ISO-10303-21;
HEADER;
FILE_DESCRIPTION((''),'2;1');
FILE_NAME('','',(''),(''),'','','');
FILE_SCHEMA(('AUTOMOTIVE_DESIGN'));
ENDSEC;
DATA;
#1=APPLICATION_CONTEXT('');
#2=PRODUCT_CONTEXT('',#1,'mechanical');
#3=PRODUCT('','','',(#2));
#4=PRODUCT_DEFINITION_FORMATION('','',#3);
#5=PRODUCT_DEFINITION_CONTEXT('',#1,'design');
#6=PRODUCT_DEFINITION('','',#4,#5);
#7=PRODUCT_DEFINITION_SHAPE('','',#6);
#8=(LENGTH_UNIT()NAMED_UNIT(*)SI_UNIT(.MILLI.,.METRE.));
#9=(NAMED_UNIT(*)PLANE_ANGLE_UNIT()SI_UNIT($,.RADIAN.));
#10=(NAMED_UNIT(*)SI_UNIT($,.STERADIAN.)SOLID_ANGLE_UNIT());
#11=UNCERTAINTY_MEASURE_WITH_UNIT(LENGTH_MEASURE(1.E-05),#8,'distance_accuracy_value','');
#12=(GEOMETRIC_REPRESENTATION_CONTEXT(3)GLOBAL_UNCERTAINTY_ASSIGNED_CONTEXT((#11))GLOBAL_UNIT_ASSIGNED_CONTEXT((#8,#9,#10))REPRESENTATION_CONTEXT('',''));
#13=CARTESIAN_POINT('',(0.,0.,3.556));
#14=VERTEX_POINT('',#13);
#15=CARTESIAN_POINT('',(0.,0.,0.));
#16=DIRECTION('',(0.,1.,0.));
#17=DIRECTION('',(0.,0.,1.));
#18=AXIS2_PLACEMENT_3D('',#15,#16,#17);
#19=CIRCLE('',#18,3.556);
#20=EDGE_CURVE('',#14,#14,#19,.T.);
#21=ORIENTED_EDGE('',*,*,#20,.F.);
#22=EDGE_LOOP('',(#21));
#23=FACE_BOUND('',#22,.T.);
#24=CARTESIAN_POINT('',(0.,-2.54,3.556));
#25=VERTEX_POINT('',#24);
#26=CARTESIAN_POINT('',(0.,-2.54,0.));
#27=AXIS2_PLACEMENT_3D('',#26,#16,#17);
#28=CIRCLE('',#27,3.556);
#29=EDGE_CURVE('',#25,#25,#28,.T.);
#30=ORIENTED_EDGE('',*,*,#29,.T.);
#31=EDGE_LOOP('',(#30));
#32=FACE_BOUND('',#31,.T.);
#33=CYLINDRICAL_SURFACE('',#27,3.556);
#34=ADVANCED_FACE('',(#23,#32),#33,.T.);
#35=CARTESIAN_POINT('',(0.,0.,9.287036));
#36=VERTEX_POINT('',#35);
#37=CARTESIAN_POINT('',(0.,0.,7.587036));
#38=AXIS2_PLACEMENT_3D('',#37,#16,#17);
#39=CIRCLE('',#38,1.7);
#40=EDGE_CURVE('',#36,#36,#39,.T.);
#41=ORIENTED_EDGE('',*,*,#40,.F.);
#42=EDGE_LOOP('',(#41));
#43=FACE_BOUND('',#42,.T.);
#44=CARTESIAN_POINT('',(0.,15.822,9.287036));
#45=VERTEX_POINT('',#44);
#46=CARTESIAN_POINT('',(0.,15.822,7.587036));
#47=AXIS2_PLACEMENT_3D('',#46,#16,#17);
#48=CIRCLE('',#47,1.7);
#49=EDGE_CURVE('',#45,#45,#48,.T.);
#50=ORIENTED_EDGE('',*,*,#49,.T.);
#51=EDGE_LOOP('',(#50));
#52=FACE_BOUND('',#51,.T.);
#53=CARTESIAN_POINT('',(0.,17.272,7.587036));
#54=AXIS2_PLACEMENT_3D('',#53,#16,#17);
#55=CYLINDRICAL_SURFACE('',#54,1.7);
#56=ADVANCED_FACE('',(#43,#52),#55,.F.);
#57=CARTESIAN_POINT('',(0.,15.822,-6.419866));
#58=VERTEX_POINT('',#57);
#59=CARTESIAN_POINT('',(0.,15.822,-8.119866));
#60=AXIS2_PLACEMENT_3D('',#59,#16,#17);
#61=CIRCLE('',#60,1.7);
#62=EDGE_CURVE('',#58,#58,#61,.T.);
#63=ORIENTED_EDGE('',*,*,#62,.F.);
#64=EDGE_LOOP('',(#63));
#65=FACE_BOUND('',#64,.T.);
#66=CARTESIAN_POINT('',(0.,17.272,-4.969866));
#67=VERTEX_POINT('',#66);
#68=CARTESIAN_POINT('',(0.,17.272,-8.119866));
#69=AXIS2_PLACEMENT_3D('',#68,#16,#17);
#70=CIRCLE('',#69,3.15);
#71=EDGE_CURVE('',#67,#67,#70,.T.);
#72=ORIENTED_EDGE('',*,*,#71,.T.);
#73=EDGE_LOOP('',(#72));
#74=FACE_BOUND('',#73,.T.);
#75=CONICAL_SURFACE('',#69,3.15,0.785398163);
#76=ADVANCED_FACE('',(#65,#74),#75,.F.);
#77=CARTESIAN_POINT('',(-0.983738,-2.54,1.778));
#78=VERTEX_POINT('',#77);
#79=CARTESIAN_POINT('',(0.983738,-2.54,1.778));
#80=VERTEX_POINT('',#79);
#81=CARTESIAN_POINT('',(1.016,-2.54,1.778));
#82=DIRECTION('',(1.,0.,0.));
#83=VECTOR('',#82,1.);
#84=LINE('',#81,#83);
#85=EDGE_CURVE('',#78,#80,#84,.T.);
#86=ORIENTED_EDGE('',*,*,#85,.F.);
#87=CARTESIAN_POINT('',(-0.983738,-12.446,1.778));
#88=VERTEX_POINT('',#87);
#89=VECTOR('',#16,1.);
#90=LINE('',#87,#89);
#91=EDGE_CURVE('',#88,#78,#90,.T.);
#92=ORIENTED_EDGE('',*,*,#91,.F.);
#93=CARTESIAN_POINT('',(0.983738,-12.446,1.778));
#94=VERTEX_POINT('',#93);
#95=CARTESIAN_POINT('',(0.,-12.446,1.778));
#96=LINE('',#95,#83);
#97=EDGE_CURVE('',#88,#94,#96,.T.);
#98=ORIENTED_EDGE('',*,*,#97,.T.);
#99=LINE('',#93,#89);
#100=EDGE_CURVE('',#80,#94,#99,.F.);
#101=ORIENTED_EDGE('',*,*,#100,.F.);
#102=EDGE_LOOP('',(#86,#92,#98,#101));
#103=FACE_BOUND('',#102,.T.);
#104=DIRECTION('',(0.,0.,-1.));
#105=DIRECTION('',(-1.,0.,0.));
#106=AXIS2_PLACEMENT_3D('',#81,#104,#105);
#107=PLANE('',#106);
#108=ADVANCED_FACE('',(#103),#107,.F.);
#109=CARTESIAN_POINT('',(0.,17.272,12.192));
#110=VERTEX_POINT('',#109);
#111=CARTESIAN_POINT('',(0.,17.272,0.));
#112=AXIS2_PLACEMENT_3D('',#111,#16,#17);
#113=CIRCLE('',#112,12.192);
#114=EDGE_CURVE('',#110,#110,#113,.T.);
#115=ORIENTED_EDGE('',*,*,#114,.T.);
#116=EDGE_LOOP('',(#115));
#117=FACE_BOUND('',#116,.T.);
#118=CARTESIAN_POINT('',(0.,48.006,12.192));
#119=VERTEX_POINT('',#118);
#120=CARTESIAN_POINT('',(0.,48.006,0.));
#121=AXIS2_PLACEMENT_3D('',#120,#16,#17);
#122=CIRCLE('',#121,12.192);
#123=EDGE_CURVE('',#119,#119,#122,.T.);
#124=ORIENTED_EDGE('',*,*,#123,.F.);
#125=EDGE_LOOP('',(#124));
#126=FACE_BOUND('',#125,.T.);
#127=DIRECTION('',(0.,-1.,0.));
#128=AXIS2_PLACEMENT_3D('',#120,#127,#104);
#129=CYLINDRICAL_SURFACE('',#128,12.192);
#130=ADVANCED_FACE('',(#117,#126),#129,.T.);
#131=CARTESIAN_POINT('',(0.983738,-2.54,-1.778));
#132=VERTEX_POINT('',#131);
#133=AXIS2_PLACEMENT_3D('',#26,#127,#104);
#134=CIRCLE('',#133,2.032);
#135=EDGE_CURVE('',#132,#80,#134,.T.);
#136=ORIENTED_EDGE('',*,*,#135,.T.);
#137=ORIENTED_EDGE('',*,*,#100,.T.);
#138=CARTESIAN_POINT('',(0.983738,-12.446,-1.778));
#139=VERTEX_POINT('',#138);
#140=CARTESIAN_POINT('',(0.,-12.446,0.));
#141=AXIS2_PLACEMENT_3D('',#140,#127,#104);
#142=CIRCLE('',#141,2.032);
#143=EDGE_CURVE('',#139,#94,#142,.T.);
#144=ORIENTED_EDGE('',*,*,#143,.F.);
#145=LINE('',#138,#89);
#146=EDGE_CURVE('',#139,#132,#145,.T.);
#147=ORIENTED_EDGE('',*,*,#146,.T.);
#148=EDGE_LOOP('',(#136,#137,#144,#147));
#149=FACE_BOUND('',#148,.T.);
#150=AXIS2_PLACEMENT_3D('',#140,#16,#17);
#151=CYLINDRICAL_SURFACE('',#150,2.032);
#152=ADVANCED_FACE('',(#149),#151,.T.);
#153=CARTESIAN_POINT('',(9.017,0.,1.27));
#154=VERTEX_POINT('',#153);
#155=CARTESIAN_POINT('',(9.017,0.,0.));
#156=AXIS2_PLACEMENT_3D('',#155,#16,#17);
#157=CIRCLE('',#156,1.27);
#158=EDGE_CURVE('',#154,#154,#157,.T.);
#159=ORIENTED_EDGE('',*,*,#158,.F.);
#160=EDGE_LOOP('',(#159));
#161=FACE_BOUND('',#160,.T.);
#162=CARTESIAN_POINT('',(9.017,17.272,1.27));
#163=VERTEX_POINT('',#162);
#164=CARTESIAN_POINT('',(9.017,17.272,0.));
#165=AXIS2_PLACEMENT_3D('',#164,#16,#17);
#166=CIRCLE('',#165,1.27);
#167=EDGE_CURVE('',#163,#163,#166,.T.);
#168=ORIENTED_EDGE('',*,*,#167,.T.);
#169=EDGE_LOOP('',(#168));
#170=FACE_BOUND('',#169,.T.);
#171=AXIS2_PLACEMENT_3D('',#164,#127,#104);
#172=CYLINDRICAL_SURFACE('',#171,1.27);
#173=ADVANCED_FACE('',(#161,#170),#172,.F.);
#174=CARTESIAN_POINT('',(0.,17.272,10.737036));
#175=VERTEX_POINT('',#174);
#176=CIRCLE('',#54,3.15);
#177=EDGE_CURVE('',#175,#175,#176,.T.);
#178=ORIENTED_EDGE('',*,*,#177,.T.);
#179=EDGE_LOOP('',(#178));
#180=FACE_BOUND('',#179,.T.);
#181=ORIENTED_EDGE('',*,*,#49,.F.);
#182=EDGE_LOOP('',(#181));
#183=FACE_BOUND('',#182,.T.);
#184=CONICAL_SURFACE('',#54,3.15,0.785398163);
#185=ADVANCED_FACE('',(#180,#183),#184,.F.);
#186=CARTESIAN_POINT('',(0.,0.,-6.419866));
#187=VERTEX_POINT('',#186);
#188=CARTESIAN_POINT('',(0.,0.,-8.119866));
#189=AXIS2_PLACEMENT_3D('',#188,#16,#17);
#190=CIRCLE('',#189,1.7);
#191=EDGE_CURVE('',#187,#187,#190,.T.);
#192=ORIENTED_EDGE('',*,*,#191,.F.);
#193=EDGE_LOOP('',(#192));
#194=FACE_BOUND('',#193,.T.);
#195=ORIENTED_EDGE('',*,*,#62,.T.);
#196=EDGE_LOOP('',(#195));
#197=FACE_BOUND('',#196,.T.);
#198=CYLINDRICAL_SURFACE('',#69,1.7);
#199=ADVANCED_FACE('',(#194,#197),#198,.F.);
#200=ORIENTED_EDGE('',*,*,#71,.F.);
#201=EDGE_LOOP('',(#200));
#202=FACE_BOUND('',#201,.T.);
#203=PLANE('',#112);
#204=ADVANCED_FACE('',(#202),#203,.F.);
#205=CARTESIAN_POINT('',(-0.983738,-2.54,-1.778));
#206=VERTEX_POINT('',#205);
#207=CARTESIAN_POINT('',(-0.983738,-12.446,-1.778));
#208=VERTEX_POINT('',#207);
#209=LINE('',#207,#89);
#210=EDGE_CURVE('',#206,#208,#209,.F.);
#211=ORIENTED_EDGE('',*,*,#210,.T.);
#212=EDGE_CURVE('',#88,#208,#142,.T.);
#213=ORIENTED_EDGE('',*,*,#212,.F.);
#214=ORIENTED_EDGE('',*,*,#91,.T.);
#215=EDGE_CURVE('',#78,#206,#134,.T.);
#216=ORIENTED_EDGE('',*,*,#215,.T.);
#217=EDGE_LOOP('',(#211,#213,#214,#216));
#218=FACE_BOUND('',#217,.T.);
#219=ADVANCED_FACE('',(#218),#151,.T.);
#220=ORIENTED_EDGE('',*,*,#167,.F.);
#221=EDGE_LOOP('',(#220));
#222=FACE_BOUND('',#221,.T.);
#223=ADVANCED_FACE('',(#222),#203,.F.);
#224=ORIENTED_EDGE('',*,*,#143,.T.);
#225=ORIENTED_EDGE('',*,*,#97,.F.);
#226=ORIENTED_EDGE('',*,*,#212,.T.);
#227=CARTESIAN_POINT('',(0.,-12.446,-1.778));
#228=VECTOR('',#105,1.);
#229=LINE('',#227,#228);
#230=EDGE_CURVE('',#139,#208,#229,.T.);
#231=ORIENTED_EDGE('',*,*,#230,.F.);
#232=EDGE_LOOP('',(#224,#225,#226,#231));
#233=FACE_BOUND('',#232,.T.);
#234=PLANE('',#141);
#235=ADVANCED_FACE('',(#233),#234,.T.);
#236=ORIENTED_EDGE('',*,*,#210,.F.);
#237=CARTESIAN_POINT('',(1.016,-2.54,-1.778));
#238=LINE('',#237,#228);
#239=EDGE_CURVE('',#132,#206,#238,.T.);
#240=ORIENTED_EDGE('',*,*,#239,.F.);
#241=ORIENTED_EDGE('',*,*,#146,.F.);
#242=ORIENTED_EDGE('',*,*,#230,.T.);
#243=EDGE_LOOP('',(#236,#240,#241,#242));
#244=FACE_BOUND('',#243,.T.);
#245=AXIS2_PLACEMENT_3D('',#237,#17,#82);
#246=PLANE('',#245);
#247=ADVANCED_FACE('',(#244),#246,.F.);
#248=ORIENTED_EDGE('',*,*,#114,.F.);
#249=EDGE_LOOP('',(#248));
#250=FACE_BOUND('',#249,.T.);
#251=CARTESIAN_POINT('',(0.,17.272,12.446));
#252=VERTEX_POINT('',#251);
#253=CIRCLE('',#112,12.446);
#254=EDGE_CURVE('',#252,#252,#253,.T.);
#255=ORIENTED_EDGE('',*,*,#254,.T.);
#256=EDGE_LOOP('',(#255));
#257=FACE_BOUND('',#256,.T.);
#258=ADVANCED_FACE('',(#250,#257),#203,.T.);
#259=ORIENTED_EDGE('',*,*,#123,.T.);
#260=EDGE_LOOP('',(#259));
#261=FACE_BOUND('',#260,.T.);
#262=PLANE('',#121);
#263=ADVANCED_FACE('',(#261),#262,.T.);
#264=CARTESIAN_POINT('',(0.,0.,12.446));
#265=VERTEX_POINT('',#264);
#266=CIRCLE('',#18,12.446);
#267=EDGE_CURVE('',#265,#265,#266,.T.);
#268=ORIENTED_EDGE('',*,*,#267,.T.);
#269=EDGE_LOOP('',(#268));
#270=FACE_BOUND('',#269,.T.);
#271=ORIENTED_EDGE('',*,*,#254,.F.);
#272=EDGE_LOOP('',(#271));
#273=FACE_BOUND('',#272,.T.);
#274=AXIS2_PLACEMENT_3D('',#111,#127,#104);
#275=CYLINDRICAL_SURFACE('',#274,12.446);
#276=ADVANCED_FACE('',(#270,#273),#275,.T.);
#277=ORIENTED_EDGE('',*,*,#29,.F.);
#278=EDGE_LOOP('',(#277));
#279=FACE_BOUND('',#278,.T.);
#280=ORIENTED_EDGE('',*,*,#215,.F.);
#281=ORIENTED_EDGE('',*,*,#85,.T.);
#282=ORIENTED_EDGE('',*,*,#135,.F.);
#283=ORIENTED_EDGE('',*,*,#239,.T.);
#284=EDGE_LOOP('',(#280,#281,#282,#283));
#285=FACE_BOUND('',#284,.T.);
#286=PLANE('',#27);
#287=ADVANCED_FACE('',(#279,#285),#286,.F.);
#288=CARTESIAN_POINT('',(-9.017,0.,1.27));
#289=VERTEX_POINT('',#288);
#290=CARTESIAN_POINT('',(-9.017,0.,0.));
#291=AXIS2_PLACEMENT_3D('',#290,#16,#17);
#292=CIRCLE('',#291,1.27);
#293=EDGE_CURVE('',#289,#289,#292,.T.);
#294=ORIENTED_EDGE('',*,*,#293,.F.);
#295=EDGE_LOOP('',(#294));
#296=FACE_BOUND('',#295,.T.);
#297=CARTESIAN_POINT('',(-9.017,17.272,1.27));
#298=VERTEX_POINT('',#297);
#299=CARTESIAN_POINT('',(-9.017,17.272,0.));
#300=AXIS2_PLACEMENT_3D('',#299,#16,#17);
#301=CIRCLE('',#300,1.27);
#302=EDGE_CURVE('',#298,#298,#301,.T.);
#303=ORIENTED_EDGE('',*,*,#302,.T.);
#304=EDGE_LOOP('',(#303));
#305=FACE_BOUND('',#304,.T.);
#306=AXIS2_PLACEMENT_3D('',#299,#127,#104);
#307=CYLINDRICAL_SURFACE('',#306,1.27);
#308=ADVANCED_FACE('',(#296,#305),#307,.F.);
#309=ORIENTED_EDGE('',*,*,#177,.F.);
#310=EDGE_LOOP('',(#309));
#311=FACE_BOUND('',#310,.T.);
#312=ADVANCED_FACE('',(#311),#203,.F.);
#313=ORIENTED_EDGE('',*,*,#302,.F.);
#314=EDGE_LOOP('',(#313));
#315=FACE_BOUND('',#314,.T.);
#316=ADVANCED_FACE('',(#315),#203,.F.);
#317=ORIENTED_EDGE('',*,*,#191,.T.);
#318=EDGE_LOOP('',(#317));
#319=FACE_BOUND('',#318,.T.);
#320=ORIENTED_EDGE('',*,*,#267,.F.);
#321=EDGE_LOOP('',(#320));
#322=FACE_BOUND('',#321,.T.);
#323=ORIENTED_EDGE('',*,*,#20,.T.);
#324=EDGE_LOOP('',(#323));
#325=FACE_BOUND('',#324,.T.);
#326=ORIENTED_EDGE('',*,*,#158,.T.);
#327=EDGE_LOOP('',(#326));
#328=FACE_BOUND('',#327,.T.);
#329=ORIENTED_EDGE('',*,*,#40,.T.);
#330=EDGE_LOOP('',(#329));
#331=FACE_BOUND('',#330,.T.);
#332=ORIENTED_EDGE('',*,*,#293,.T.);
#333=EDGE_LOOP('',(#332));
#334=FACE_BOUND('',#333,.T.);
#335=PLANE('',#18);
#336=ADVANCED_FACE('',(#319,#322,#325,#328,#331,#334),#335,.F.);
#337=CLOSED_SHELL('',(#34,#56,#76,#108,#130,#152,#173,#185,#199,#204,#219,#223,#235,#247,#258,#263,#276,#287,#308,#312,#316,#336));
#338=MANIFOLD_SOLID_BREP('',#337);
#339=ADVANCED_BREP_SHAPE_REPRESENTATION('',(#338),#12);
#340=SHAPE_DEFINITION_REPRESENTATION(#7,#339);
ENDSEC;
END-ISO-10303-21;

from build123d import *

# Parameters (mm, degrees)
SKETCH1_R                                       = 12.446
SKETCH1_R_2                                     = 1.27
BOSS_EXTRUDE1_DEPTH                             = 17.272
CSK_FOR_M3_FLAT_HEAD_MACHINE_SCREW1_D           = 3.4
CSK_FOR_M3_FLAT_HEAD_MACHINE_SCREW1_CSINK_D     = 6.3
CSK_FOR_M3_FLAT_HEAD_MACHINE_SCREW1_CSINK_ANGLE = 90
SKETCH5_R                                       = 12.192
BOSS_EXTRUDE2_DEPTH                             = 30.734
SKETCH6_R                                       = 3.556
BOSS_EXTRUDE3_DEPTH                             = 2.54
SKETCH7_R                                       = 2.032
BOSS_EXTRUDE4_DEPTH                             = 9.906
SKETCH8_W                                       = 2.032
SKETCH8_H                                       = 0.254
CUT_EXTRUDE2_DEPTH                              = 9.906


with BuildPart() as part:
    # Sketch1 → Boss-Extrude1 (new body)
    with BuildSketch(Plane(origin=(0, 0, 0), x_dir=(1, 0, 0), z_dir=(0, 1, 0))):
        Circle(SKETCH1_R)
        with Locations((-9.017, 0)):
            Circle(SKETCH1_R_2, mode=Mode.SUBTRACT)
        with Locations((9.017, 0)):
            Circle(SKETCH1_R_2, mode=Mode.SUBTRACT)
    extrude(amount=BOSS_EXTRUDE1_DEPTH)

    # CSK for M3 Flat Head Machine Screw1 (through all)
    with Locations(Plane(origin=(0, 17.272, 0), x_dir=(1, 0, 0), z_dir=(0, 1, 0))):
        with Locations((0, 8.119865968), (0, -7.587036194)):
            CounterSinkHole(CSK_FOR_M3_FLAT_HEAD_MACHINE_SCREW1_D / 2, CSK_FOR_M3_FLAT_HEAD_MACHINE_SCREW1_CSINK_D / 2, counter_sink_angle=CSK_FOR_M3_FLAT_HEAD_MACHINE_SCREW1_CSINK_ANGLE)

    # Sketch5 → Boss-Extrude2 (add)
    with BuildSketch(Plane(origin=(0, 17.272, 0), x_dir=(1, 0, 0), z_dir=(0, 1, 0))):
        Circle(SKETCH5_R)
    extrude(amount=BOSS_EXTRUDE2_DEPTH)

    # Sketch6 → Boss-Extrude3 (add)
    with BuildSketch(Plane(origin=(0, 0, 0), x_dir=(1, 0, 0), z_dir=(0, 1, 0))):
        Circle(SKETCH6_R)
    extrude(amount=-BOSS_EXTRUDE3_DEPTH)

    # Sketch7 → Boss-Extrude4 (add)
    with BuildSketch(Plane(origin=(0, -2.54, 0), x_dir=(-1, 0, 0), z_dir=(0, -1, 0))):
        Circle(SKETCH7_R)
    extrude(amount=BOSS_EXTRUDE4_DEPTH)

    # Sketch8 → Cut-Extrude2 (cut)
    with BuildSketch(Plane(origin=(0, -12.446, 0), x_dir=(-1, 0, 0), z_dir=(0, -1, 0))):
        with Locations((0, -1.905)):
            Rectangle(SKETCH8_W, SKETCH8_H)
        with Locations((0, 1.905)):
            Rectangle(SKETCH8_W, SKETCH8_H)
    extrude(amount=-CUT_EXTRUDE2_DEPTH, mode=Mode.SUBTRACT)


solid = part.part
